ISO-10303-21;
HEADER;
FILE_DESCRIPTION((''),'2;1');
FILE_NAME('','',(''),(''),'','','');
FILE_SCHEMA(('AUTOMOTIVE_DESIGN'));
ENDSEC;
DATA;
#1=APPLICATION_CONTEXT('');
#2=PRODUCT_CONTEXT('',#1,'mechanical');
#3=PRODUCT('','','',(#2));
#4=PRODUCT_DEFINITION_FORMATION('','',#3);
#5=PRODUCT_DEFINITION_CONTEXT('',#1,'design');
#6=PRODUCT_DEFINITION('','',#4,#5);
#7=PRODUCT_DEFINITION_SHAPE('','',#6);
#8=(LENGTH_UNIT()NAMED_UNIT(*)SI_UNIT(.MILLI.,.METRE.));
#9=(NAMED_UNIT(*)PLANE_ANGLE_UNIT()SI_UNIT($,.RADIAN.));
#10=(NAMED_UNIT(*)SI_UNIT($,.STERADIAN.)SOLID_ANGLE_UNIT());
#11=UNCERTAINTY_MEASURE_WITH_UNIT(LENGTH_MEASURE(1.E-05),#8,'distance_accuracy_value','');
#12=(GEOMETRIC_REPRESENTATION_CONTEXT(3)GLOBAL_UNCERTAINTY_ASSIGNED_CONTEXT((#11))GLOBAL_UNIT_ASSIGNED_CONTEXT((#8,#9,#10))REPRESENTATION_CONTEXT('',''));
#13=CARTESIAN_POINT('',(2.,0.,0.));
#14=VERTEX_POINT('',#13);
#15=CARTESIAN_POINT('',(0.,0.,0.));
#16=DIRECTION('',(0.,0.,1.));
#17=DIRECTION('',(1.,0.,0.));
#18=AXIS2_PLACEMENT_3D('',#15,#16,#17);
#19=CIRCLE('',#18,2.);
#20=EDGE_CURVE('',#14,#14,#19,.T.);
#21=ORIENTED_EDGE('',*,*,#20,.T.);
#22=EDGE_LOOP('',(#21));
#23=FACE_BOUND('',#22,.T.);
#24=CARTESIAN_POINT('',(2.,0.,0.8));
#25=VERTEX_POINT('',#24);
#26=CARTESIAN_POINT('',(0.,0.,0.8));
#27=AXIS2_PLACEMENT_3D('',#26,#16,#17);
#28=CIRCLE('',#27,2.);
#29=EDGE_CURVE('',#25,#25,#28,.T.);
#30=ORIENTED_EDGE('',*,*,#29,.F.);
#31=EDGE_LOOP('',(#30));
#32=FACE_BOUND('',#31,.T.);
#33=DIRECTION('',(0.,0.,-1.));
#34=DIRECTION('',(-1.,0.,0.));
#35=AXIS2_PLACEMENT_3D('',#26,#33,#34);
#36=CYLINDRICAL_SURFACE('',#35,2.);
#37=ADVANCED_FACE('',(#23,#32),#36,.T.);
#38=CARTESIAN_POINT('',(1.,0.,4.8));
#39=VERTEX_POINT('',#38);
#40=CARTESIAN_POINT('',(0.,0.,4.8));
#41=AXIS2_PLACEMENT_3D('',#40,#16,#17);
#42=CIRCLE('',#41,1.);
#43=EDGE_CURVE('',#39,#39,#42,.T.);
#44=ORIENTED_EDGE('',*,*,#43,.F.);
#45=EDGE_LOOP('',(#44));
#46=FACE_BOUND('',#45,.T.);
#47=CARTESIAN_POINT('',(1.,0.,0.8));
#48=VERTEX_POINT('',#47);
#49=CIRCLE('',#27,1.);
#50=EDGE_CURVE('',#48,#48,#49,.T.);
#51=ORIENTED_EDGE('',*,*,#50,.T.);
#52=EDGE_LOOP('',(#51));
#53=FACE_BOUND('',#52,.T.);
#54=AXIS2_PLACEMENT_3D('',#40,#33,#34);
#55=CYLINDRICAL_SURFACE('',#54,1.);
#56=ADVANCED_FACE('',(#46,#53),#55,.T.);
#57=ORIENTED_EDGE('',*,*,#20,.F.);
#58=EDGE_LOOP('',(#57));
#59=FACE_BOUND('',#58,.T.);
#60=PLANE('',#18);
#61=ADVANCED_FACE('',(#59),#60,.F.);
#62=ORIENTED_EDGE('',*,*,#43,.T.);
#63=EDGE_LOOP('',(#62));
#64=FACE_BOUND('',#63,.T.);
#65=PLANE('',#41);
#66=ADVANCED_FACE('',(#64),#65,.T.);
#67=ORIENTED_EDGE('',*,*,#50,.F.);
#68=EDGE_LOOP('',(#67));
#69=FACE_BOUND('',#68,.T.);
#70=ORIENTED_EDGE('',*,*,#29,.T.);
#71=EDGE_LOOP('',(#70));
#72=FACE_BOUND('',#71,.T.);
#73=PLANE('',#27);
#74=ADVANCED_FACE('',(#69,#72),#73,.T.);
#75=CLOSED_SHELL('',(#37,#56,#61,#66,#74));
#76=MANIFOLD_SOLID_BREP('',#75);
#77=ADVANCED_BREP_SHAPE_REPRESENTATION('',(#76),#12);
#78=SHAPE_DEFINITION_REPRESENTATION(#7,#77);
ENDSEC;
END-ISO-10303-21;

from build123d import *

# Parameters (mm, degrees)
SKETCH1_R           = 2
BOSS_EXTRUDE1_DEPTH = 0.8
SKETCH2_R           = 1
BOSS_EXTRUDE2_DEPTH = 4


with BuildPart() as part:
    # Sketch1 → Boss-Extrude1 (new body)
    with BuildSketch(Plane.XY):
        Circle(SKETCH1_R)
    extrude(amount=BOSS_EXTRUDE1_DEPTH)

    # Sketch2 → Boss-Extrude2 (add)
    with BuildSketch(Plane.XY.offset(0.8)):
        Circle(SKETCH2_R)
    extrude(amount=BOSS_EXTRUDE2_DEPTH)


solid = part.part
